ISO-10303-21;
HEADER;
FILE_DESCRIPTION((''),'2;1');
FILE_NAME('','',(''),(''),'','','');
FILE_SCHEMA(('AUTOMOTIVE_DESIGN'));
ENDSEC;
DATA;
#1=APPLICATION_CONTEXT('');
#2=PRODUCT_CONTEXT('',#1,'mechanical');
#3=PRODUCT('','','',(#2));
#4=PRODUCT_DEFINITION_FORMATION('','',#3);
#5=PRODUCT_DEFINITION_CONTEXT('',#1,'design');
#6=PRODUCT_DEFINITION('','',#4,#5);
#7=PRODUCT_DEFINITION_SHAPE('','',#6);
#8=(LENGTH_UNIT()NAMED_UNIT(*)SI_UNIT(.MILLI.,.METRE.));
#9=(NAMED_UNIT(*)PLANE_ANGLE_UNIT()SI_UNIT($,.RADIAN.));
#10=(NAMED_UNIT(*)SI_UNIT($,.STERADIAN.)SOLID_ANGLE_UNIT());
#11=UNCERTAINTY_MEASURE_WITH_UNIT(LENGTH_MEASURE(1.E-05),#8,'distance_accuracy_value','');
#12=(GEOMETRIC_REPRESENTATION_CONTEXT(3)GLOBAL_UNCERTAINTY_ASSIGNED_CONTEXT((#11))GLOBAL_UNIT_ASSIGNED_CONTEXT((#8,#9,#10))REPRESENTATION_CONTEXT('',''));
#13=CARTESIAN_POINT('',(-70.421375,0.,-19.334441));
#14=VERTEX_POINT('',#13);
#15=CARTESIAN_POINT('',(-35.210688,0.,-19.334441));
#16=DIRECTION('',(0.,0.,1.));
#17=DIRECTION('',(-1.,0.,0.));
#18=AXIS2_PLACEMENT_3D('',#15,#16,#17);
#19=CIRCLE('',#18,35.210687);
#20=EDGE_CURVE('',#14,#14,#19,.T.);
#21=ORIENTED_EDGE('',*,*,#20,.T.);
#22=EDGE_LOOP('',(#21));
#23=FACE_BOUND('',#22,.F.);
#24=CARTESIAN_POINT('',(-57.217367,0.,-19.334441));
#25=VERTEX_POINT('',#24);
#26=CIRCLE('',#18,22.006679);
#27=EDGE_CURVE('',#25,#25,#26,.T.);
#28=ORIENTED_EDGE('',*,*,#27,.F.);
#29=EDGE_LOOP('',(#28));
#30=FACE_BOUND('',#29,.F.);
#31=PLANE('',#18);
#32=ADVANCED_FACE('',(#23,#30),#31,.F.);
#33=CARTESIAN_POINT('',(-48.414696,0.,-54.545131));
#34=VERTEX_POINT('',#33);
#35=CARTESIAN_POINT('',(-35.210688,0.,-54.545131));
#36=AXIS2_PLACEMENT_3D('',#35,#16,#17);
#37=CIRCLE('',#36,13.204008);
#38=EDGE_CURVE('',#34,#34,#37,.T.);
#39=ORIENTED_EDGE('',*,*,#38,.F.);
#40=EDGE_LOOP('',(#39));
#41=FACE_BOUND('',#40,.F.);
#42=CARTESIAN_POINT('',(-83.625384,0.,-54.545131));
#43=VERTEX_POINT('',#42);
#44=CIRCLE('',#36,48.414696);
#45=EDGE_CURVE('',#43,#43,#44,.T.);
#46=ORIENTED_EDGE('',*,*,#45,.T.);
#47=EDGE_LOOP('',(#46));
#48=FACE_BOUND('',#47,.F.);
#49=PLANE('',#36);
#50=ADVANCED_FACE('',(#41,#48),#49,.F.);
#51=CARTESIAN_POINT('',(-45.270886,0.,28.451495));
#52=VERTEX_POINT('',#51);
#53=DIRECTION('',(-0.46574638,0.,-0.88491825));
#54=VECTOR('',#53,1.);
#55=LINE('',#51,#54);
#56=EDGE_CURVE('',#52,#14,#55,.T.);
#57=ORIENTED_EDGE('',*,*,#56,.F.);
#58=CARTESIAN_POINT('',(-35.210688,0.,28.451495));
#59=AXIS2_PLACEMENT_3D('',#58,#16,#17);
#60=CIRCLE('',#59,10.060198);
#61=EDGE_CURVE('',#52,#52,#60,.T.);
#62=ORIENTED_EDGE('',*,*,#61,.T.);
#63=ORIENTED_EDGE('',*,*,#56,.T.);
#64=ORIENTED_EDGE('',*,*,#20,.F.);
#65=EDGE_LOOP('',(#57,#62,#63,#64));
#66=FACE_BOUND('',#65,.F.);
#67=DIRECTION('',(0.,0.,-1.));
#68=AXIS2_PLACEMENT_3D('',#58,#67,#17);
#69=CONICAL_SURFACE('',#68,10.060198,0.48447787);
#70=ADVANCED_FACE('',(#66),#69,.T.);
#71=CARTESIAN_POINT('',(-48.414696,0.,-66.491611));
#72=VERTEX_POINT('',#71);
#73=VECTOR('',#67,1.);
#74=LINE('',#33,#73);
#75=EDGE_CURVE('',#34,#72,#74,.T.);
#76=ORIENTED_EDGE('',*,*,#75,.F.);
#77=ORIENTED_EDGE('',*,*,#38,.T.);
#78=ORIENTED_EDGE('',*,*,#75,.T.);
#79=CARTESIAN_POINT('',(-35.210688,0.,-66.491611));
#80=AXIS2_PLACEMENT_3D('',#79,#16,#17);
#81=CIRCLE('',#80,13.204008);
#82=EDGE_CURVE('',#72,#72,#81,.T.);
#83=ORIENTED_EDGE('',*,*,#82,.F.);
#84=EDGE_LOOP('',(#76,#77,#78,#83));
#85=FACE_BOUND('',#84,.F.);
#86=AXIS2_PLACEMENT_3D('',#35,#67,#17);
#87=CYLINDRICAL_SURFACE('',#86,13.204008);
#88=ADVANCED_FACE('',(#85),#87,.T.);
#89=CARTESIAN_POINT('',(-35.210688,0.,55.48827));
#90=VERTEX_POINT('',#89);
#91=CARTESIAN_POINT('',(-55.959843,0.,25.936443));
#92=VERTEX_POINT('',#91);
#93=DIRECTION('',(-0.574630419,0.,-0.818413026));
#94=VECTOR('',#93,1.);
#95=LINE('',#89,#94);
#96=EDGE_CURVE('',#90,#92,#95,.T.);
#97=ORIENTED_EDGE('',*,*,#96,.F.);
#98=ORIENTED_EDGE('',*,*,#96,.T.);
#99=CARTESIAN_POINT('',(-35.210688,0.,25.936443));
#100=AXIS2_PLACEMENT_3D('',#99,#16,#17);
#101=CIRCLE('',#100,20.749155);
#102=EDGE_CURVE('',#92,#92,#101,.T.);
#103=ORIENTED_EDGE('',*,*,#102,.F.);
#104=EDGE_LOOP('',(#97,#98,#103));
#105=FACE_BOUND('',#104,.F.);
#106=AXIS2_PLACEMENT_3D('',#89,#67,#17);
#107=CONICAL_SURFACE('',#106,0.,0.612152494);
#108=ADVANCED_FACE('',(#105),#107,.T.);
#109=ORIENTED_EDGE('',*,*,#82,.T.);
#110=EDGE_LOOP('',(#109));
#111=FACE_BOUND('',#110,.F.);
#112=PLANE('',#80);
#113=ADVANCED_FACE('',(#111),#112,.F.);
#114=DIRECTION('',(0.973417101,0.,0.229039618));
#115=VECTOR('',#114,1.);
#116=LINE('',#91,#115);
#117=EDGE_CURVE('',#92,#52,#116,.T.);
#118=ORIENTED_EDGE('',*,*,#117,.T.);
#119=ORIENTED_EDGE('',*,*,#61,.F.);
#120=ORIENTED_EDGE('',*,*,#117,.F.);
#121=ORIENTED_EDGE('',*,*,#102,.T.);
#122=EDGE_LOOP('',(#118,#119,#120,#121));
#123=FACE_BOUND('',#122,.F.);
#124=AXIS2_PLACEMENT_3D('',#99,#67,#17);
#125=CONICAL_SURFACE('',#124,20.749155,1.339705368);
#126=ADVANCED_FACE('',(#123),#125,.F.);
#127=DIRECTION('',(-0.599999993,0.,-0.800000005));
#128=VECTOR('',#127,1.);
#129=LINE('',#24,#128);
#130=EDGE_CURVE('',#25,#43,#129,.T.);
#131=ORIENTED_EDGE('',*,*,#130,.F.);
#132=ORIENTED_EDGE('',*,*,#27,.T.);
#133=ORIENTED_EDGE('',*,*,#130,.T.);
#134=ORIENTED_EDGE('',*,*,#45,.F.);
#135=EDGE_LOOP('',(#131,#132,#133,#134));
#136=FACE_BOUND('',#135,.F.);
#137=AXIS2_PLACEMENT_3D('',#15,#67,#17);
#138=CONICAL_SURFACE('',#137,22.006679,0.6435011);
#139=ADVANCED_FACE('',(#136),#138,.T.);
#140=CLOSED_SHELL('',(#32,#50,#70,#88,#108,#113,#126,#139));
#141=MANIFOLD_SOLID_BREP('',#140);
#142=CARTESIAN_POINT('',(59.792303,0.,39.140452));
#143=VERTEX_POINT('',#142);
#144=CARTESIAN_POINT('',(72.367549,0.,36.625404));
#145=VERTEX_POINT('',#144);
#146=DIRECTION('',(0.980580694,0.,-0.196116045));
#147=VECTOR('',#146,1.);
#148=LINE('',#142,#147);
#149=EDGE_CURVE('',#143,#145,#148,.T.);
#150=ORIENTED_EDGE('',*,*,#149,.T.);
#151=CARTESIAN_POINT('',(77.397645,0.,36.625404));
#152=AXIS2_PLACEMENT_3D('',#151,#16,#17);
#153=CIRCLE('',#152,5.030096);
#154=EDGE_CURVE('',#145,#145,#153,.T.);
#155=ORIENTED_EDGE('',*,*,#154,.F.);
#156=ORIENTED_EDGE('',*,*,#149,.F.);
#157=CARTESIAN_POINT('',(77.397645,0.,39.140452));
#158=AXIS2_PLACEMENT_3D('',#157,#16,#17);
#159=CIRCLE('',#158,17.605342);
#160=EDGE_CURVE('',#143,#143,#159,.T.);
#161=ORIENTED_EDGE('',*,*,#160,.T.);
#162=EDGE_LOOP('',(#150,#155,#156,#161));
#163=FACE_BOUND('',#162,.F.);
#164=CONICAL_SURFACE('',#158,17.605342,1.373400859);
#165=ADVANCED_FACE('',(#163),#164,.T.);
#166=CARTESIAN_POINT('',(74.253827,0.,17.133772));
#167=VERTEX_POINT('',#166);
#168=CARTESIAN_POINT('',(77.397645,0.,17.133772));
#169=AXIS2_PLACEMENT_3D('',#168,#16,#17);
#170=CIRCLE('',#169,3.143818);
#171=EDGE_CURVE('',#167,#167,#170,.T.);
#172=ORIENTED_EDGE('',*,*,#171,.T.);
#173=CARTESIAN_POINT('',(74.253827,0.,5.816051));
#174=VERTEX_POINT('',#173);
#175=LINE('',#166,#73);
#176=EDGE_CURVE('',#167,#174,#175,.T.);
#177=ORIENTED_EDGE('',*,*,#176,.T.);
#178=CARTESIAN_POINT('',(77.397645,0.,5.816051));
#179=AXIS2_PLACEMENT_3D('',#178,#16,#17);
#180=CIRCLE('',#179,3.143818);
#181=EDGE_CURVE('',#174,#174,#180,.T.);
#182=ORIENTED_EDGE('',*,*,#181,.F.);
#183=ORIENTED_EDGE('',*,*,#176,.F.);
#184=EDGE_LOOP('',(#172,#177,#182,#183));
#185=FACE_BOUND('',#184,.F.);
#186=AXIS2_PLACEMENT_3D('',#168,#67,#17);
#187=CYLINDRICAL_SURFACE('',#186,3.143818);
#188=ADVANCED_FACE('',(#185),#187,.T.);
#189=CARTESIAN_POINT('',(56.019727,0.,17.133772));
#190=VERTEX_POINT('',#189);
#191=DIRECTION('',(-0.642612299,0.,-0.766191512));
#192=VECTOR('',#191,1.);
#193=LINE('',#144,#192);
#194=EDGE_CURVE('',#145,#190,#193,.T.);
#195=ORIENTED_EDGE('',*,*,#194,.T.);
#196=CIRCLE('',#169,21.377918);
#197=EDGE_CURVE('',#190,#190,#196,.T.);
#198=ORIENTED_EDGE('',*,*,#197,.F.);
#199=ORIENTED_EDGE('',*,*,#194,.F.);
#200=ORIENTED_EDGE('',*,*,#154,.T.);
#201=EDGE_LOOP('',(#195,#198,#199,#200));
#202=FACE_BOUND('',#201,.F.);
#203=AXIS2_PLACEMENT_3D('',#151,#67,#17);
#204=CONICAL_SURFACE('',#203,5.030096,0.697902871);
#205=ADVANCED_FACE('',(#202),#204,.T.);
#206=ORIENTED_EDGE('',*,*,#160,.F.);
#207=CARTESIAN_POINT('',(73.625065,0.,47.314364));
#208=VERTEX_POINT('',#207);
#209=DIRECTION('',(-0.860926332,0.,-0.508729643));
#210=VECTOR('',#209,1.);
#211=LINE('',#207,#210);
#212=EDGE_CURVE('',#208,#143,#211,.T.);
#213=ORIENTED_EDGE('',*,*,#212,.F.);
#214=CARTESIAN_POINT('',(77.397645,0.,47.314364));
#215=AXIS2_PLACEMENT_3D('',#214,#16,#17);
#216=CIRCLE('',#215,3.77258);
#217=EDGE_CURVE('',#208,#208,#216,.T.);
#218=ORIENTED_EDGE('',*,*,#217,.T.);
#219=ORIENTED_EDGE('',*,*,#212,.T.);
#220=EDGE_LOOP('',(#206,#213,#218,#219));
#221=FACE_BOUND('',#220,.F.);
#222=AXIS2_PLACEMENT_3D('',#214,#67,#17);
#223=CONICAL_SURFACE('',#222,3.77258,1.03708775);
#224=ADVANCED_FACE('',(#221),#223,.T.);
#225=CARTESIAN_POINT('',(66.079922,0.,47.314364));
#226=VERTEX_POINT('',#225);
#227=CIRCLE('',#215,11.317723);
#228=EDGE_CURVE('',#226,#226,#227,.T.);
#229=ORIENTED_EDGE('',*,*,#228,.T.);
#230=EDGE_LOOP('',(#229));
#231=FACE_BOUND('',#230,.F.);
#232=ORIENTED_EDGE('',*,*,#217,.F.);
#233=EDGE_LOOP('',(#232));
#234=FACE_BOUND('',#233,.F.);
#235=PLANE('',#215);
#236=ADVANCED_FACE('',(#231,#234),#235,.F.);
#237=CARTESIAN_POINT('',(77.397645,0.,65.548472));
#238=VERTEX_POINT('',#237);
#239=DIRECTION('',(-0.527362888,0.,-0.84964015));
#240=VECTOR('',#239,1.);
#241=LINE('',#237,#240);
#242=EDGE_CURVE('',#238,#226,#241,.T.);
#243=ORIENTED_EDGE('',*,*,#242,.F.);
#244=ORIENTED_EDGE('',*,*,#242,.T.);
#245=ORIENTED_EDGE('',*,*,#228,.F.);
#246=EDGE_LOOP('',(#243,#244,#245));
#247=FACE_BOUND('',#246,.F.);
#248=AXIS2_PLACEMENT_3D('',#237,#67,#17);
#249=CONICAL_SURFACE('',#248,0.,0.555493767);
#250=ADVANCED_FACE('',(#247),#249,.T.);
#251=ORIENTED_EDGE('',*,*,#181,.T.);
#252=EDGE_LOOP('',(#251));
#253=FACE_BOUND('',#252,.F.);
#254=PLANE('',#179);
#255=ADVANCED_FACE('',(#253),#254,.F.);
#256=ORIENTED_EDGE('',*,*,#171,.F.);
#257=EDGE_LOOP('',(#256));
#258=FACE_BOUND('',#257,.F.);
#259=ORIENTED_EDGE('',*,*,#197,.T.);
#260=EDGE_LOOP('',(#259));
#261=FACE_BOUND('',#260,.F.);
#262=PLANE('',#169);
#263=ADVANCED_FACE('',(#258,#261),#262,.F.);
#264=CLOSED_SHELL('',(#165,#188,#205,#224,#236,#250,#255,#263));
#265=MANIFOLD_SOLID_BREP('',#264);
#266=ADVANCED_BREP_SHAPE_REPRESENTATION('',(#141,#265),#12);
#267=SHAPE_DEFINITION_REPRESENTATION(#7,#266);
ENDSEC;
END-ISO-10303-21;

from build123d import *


with BuildPart() as f1:
    # F0 (on Front) → F1 (revolve)
    with BuildSketch(Plane.XZ):
        Polygon((-35.210688, -54.545131), (-35.210688, 55.48827), (-55.959843, 25.936443), (-45.270886, 28.451495), (-70.421375, -19.334441), (-57.217367, -19.334441), (-83.625384, -54.545131), (-48.414696, -54.545131), (-48.414696, -66.491611), (-35.210688, -66.491611), align=None)
    revolve(axis=Axis((-35.210688, 0, 0.47157), (0, 0, 1)))


with BuildPart() as f2:
    # F0 (on Front) → F2 (revolve)
    with BuildSketch(Plane.XZ):
        Polygon((77.397645, 5.816051), (77.397645, 65.548472), (66.079922, 47.314364), (73.625065, 47.314364), (59.792303, 39.140452), (72.367549, 36.625404), (56.019727, 17.133772), (74.253827, 17.133772), (74.253827, 5.816051), align=None)
    revolve(axis=Axis((77.397645, 0, 35.682262), (0, 0, 1)))


solid = Compound([f1.part, f2.part])
